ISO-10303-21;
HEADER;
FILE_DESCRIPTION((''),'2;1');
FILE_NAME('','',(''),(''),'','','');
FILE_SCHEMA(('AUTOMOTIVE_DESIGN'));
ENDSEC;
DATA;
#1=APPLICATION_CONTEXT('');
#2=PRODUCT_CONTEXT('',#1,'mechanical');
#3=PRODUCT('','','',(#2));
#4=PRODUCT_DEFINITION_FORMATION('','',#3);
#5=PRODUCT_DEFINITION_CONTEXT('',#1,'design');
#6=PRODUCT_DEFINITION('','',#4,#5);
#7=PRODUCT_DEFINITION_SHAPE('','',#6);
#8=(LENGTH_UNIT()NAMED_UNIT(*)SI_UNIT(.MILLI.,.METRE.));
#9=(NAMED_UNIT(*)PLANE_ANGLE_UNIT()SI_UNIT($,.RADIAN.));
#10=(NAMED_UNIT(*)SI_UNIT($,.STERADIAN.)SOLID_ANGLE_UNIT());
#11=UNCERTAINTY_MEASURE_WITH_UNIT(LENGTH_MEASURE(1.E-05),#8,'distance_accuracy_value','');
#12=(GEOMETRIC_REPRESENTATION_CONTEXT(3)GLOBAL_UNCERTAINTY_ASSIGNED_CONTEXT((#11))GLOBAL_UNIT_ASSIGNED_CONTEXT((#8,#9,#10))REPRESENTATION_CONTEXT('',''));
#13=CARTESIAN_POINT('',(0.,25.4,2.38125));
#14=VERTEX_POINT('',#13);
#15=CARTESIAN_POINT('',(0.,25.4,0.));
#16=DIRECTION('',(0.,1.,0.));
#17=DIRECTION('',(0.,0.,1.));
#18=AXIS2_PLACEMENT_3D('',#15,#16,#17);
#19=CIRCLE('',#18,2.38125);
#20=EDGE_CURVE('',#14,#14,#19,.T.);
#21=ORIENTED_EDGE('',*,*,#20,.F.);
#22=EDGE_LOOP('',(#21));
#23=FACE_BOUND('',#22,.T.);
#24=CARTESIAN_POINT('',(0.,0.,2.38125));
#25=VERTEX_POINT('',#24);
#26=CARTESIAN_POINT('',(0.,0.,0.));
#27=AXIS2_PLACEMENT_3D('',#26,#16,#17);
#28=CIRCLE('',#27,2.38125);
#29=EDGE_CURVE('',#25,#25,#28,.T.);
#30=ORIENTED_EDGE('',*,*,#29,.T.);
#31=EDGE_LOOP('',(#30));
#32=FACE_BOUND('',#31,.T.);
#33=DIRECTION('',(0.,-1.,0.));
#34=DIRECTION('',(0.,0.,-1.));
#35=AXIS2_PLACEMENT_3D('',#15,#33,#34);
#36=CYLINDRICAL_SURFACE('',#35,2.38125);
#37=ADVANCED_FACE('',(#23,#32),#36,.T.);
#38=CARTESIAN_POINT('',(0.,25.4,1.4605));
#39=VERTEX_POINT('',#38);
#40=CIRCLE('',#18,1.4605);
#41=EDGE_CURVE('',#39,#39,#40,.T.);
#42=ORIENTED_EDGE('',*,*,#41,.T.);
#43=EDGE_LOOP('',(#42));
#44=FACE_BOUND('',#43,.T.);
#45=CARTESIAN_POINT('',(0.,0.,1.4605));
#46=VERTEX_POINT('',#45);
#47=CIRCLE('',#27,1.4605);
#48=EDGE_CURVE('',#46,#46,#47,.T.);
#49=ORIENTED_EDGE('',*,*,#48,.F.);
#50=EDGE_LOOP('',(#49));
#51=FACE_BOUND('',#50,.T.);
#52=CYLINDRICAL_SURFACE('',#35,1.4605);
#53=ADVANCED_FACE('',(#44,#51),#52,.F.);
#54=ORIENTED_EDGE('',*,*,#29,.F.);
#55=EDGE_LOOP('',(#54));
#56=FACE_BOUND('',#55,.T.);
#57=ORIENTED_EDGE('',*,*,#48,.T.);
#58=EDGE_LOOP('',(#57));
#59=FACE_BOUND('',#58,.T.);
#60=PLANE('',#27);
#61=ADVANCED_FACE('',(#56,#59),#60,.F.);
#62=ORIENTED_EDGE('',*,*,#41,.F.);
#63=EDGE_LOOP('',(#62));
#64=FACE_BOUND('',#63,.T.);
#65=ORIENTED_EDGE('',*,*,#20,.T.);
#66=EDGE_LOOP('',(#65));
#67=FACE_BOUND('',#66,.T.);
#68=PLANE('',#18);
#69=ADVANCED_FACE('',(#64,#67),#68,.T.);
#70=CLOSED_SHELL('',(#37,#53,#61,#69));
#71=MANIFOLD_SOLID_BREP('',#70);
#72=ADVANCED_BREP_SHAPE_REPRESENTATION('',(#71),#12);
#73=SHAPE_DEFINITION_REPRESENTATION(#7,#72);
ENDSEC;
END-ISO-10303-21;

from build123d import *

# Parameters (mm, degrees)
SKETCH1_R           = 2.38125
SKETCH1_R_2         = 1.4605
BOSS_EXTRUDE1_DEPTH = 25.4


with BuildPart() as part:
    # Sketch1 → Boss-Extrude1 (new body)
    with BuildSketch(Plane(origin=(0, 0, 0), x_dir=(1, 0, 0), z_dir=(0, 1, 0))):
        with Locations(Location((0, 0, 0), (0, 0, 270))):
            Circle(SKETCH1_R)
        with Locations(Location((0, 0, 0), (0, 0, 270))):
            Circle(SKETCH1_R_2, mode=Mode.SUBTRACT)
    extrude(amount=BOSS_EXTRUDE1_DEPTH)


solid = part.part
